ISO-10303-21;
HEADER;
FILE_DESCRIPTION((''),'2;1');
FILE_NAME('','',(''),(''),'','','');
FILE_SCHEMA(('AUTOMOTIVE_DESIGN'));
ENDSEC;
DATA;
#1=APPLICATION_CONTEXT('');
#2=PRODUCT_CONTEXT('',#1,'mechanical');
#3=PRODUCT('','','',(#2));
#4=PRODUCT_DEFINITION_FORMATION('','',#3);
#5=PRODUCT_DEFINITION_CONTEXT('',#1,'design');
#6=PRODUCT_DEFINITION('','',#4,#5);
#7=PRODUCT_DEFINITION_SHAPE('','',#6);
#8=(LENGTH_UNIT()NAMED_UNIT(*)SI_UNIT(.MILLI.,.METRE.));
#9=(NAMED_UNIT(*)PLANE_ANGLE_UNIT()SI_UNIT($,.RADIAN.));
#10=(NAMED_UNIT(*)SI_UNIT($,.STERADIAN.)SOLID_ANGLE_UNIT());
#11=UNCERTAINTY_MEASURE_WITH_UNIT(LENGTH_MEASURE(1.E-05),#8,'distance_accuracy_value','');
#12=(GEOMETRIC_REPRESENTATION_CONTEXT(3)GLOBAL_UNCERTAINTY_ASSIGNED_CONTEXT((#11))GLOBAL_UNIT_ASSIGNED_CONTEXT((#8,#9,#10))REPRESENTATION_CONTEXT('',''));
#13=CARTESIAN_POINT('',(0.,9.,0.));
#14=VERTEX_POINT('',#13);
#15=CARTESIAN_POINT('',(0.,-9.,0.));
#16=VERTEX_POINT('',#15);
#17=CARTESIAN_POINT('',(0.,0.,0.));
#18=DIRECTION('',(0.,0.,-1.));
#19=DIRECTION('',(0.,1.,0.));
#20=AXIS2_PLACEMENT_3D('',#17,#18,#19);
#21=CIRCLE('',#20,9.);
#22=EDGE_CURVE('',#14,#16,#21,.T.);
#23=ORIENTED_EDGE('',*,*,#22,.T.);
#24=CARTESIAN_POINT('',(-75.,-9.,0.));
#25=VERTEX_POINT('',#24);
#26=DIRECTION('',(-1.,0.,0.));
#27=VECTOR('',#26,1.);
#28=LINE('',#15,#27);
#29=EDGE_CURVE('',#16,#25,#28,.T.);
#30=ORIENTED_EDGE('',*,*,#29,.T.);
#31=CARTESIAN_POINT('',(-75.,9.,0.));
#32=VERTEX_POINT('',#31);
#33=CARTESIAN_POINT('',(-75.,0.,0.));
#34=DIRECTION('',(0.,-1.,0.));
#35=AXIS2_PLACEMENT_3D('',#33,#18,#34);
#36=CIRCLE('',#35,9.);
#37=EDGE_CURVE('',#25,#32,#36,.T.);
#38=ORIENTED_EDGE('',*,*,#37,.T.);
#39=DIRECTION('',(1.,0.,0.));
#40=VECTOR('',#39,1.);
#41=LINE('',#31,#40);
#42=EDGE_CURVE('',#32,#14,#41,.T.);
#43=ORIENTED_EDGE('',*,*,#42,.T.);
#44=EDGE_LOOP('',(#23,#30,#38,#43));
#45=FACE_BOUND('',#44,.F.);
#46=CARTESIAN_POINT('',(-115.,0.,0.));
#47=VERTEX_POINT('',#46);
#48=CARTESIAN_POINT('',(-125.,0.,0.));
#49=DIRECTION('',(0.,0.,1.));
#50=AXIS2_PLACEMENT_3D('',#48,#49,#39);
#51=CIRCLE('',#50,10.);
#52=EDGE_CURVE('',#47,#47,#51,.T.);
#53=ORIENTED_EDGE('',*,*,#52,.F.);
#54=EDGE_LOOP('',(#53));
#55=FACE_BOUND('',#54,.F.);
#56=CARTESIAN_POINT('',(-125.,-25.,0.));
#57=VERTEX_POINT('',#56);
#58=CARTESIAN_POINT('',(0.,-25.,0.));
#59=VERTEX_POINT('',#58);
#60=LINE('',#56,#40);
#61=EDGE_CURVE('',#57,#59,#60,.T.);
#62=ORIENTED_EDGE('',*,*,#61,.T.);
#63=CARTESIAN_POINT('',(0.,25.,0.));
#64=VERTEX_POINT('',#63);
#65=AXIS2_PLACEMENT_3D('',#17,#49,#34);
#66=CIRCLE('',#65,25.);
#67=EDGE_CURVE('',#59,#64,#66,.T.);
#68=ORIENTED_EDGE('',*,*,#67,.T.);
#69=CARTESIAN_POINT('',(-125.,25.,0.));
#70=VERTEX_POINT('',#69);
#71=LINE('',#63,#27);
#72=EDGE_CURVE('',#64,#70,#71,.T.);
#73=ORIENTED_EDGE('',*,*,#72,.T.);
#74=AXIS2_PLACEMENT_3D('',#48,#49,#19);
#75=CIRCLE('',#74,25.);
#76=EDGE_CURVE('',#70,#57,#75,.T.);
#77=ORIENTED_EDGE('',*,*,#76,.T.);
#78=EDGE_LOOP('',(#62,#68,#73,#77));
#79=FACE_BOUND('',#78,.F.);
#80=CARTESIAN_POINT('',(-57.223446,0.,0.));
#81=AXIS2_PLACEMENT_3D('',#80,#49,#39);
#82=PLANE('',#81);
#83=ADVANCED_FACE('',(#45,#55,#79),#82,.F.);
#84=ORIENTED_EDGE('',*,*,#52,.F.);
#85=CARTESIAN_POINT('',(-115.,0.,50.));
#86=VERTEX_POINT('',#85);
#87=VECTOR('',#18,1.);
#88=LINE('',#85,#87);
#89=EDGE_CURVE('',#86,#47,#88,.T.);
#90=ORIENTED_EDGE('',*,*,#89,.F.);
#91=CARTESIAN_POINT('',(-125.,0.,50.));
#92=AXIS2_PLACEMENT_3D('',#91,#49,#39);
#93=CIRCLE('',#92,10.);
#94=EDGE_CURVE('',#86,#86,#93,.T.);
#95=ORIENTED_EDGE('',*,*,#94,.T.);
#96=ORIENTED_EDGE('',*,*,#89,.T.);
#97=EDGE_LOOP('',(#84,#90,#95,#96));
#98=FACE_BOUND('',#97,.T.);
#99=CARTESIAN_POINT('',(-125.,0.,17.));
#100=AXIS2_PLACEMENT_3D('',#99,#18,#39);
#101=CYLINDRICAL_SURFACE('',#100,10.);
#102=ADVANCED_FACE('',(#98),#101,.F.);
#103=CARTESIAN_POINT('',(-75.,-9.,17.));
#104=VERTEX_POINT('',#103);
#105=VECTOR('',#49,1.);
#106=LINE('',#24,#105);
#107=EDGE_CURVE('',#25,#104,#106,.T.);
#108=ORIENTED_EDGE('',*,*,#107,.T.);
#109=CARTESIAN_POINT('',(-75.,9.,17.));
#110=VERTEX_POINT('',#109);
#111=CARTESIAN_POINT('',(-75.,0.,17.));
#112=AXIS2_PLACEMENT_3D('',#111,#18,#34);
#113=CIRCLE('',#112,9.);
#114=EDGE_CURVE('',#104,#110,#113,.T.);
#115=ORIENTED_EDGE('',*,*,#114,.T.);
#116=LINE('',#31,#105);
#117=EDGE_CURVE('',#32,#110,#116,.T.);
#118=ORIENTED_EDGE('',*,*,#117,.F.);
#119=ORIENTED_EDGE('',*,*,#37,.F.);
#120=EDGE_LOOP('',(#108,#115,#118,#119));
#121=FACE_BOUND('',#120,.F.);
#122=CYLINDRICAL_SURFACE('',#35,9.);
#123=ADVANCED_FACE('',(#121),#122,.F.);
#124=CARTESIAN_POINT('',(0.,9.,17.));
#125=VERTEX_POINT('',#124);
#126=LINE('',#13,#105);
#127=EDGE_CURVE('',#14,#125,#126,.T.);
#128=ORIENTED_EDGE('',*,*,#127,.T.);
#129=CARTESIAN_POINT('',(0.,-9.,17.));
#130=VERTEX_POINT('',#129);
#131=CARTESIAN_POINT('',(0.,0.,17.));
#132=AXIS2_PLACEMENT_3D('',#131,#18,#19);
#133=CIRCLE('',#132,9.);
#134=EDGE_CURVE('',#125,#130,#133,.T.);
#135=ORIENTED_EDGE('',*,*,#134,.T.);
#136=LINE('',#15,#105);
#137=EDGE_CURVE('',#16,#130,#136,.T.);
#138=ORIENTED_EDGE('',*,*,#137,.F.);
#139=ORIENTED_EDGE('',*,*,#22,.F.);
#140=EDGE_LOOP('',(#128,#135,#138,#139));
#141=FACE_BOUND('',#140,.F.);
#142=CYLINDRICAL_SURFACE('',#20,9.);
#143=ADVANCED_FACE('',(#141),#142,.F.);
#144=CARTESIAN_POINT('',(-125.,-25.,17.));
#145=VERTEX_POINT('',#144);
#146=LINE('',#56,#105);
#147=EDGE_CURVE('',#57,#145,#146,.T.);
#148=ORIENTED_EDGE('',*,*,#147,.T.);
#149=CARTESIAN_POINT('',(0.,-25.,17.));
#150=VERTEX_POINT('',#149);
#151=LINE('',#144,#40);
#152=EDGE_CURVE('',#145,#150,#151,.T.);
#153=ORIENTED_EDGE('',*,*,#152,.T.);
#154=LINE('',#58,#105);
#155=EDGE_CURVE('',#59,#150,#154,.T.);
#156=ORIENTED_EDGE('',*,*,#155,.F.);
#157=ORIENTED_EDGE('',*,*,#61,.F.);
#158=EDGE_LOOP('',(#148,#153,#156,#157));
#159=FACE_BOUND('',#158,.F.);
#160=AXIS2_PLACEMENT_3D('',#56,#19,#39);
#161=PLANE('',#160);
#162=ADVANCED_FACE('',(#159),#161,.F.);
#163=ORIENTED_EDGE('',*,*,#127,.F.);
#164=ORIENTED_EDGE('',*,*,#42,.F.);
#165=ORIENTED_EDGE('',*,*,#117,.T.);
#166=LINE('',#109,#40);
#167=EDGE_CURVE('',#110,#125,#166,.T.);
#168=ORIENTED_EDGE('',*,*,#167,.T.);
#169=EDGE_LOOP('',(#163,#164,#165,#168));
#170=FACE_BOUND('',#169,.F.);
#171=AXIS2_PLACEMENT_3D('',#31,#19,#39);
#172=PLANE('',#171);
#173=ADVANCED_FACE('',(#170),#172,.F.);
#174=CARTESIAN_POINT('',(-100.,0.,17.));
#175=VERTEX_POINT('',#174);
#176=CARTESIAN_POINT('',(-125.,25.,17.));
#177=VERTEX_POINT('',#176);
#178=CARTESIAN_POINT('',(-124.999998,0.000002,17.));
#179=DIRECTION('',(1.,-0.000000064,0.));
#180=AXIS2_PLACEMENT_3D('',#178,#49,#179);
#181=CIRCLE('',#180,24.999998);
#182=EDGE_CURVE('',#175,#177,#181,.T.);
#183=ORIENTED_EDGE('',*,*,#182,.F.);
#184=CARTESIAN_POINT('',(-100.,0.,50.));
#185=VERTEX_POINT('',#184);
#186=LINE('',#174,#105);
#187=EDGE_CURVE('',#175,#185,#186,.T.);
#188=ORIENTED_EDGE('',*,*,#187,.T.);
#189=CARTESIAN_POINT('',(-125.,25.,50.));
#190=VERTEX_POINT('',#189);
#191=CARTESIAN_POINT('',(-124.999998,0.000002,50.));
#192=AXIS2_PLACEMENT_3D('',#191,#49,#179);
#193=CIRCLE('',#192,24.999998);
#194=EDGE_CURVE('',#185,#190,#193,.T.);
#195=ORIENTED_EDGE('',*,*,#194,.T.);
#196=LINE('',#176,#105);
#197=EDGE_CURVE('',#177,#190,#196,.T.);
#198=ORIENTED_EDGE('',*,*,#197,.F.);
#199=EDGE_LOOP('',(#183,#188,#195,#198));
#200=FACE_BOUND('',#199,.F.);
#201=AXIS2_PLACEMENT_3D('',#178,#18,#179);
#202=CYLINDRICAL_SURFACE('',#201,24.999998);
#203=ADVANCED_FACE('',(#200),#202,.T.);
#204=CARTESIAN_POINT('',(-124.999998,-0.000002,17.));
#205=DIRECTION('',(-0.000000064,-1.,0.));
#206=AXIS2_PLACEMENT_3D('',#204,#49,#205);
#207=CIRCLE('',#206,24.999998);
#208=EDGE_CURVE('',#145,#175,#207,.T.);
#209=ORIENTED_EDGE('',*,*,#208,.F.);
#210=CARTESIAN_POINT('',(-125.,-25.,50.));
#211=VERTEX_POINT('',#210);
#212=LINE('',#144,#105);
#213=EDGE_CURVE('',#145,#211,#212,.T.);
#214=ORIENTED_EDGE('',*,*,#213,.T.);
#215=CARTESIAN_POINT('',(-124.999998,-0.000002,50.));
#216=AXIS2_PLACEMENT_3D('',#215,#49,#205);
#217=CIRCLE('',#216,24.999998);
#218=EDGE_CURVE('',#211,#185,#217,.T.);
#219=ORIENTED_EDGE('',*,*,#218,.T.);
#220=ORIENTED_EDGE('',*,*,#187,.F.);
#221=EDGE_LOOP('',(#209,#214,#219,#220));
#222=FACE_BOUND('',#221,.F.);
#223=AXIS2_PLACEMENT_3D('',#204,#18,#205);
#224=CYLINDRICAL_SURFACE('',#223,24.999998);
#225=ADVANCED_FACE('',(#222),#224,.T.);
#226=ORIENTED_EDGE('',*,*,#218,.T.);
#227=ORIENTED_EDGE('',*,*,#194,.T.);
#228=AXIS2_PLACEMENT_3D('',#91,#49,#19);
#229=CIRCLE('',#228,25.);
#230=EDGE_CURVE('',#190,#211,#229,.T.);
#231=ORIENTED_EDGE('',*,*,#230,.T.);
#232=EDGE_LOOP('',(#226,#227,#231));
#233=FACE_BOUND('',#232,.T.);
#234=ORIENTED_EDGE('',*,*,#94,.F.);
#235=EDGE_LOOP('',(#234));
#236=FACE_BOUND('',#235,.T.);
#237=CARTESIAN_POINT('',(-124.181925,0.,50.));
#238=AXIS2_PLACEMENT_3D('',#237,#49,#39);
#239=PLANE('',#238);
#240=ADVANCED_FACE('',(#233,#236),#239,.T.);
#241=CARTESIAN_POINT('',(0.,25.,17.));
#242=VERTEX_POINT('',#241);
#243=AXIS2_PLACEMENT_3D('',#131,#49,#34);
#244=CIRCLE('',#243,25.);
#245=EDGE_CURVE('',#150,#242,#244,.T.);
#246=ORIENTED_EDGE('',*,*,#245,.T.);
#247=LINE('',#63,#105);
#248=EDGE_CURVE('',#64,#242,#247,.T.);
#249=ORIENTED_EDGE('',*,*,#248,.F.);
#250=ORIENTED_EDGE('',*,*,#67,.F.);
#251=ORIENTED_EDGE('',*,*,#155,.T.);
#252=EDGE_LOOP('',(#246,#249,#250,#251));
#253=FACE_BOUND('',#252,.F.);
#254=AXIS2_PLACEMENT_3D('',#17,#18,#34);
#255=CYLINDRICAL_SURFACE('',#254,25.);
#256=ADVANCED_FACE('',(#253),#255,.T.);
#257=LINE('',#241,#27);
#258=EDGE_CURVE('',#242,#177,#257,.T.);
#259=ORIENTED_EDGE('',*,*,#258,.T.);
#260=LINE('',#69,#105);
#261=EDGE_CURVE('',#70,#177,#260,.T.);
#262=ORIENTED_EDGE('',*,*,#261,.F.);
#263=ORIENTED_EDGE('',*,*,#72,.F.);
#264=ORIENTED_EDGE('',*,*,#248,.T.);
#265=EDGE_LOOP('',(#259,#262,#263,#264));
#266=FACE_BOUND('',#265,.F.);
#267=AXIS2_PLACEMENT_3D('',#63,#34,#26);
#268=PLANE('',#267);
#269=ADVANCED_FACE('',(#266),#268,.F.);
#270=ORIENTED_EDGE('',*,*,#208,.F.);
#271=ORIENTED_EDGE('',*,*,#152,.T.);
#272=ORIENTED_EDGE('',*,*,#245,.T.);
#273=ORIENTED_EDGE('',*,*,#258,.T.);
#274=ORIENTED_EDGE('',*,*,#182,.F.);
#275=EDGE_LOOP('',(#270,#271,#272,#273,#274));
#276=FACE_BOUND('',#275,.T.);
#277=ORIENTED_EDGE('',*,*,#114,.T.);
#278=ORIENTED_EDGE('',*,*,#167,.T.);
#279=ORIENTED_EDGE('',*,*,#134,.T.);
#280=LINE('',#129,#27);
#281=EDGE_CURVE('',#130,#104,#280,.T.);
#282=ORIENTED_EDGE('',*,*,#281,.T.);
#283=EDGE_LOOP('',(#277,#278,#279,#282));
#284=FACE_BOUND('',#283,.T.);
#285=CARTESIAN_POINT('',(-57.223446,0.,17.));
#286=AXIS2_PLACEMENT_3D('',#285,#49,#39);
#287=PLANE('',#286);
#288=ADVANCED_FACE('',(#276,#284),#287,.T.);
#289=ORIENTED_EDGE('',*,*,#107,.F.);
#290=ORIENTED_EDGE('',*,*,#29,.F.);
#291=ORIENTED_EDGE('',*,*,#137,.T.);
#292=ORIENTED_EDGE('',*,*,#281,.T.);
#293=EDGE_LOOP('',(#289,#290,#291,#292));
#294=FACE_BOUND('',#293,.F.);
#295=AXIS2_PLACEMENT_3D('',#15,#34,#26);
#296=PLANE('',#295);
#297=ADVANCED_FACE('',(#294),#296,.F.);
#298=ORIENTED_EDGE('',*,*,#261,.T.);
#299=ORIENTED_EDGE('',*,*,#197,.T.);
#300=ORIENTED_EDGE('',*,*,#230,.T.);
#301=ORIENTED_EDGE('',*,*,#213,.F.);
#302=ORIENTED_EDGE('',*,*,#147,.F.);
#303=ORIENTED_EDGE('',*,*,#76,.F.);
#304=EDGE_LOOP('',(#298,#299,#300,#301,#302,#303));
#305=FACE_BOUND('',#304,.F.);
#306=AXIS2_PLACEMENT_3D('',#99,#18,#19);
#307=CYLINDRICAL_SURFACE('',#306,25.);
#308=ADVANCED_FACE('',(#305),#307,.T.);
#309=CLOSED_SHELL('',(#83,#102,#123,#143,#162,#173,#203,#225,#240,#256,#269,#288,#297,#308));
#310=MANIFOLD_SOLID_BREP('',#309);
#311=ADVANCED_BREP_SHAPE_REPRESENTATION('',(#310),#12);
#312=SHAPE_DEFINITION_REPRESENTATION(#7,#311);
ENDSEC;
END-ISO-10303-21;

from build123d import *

# Parameters (mm, degrees)
F0_R     = 10
F1_DEPTH = 17
F2_R     = 10
F3_DEPTH = 33


with BuildPart() as f1:
    # F0 (on Top) → F1 (new body)
    with BuildSketch(Plane.XY):
        with BuildLine():
            Line((-125, -25), (0, -25))
            ThreePointArc((0, -25), (25, 0), (0, 25))
            Line((0, 25), (-125, 25))
            ThreePointArc((-125, 25), (-107.32233, 17.67767), (-100, 0))
            ThreePointArc((-100, 0), (-107.32233, -17.67767), (-125, -25))
        make_face()
        with BuildLine():
            ThreePointArc((0, 9), (9, 0), (0, -9))
            Line((0, -9), (-75, -9))
            ThreePointArc((-75, -9), (-84, 0), (-75, 9))
            Line((-75, 9), (0, 9))
        make_face(mode=Mode.SUBTRACT)
        with BuildLine():
            ThreePointArc((-125, 25), (-150, 0), (-125, -25))
            ThreePointArc((-125, -25), (-107.32233, -17.67767), (-100, 0))
            ThreePointArc((-100, 0), (-107.32233, 17.67767), (-125, 25))
        make_face()
        with Locations((-125, 0)):
            Circle(F0_R, mode=Mode.SUBTRACT)
    extrude(amount=F1_DEPTH)

    # F2 (on face) → F3 (join)
    with BuildSketch(Plane.XY.offset(17)):
        with BuildLine():
            ThreePointArc((-125, -25), (-107.32233, -17.67767), (-100, 0))
            ThreePointArc((-100, 0), (-107.32233, 17.67767), (-125, 25))
            ThreePointArc((-125, 25), (-150, 0), (-125, -25))
        make_face()
        with Locations((-125, 0)):
            Circle(F2_R, mode=Mode.SUBTRACT)
    extrude(amount=F3_DEPTH)


solid = f1.part
